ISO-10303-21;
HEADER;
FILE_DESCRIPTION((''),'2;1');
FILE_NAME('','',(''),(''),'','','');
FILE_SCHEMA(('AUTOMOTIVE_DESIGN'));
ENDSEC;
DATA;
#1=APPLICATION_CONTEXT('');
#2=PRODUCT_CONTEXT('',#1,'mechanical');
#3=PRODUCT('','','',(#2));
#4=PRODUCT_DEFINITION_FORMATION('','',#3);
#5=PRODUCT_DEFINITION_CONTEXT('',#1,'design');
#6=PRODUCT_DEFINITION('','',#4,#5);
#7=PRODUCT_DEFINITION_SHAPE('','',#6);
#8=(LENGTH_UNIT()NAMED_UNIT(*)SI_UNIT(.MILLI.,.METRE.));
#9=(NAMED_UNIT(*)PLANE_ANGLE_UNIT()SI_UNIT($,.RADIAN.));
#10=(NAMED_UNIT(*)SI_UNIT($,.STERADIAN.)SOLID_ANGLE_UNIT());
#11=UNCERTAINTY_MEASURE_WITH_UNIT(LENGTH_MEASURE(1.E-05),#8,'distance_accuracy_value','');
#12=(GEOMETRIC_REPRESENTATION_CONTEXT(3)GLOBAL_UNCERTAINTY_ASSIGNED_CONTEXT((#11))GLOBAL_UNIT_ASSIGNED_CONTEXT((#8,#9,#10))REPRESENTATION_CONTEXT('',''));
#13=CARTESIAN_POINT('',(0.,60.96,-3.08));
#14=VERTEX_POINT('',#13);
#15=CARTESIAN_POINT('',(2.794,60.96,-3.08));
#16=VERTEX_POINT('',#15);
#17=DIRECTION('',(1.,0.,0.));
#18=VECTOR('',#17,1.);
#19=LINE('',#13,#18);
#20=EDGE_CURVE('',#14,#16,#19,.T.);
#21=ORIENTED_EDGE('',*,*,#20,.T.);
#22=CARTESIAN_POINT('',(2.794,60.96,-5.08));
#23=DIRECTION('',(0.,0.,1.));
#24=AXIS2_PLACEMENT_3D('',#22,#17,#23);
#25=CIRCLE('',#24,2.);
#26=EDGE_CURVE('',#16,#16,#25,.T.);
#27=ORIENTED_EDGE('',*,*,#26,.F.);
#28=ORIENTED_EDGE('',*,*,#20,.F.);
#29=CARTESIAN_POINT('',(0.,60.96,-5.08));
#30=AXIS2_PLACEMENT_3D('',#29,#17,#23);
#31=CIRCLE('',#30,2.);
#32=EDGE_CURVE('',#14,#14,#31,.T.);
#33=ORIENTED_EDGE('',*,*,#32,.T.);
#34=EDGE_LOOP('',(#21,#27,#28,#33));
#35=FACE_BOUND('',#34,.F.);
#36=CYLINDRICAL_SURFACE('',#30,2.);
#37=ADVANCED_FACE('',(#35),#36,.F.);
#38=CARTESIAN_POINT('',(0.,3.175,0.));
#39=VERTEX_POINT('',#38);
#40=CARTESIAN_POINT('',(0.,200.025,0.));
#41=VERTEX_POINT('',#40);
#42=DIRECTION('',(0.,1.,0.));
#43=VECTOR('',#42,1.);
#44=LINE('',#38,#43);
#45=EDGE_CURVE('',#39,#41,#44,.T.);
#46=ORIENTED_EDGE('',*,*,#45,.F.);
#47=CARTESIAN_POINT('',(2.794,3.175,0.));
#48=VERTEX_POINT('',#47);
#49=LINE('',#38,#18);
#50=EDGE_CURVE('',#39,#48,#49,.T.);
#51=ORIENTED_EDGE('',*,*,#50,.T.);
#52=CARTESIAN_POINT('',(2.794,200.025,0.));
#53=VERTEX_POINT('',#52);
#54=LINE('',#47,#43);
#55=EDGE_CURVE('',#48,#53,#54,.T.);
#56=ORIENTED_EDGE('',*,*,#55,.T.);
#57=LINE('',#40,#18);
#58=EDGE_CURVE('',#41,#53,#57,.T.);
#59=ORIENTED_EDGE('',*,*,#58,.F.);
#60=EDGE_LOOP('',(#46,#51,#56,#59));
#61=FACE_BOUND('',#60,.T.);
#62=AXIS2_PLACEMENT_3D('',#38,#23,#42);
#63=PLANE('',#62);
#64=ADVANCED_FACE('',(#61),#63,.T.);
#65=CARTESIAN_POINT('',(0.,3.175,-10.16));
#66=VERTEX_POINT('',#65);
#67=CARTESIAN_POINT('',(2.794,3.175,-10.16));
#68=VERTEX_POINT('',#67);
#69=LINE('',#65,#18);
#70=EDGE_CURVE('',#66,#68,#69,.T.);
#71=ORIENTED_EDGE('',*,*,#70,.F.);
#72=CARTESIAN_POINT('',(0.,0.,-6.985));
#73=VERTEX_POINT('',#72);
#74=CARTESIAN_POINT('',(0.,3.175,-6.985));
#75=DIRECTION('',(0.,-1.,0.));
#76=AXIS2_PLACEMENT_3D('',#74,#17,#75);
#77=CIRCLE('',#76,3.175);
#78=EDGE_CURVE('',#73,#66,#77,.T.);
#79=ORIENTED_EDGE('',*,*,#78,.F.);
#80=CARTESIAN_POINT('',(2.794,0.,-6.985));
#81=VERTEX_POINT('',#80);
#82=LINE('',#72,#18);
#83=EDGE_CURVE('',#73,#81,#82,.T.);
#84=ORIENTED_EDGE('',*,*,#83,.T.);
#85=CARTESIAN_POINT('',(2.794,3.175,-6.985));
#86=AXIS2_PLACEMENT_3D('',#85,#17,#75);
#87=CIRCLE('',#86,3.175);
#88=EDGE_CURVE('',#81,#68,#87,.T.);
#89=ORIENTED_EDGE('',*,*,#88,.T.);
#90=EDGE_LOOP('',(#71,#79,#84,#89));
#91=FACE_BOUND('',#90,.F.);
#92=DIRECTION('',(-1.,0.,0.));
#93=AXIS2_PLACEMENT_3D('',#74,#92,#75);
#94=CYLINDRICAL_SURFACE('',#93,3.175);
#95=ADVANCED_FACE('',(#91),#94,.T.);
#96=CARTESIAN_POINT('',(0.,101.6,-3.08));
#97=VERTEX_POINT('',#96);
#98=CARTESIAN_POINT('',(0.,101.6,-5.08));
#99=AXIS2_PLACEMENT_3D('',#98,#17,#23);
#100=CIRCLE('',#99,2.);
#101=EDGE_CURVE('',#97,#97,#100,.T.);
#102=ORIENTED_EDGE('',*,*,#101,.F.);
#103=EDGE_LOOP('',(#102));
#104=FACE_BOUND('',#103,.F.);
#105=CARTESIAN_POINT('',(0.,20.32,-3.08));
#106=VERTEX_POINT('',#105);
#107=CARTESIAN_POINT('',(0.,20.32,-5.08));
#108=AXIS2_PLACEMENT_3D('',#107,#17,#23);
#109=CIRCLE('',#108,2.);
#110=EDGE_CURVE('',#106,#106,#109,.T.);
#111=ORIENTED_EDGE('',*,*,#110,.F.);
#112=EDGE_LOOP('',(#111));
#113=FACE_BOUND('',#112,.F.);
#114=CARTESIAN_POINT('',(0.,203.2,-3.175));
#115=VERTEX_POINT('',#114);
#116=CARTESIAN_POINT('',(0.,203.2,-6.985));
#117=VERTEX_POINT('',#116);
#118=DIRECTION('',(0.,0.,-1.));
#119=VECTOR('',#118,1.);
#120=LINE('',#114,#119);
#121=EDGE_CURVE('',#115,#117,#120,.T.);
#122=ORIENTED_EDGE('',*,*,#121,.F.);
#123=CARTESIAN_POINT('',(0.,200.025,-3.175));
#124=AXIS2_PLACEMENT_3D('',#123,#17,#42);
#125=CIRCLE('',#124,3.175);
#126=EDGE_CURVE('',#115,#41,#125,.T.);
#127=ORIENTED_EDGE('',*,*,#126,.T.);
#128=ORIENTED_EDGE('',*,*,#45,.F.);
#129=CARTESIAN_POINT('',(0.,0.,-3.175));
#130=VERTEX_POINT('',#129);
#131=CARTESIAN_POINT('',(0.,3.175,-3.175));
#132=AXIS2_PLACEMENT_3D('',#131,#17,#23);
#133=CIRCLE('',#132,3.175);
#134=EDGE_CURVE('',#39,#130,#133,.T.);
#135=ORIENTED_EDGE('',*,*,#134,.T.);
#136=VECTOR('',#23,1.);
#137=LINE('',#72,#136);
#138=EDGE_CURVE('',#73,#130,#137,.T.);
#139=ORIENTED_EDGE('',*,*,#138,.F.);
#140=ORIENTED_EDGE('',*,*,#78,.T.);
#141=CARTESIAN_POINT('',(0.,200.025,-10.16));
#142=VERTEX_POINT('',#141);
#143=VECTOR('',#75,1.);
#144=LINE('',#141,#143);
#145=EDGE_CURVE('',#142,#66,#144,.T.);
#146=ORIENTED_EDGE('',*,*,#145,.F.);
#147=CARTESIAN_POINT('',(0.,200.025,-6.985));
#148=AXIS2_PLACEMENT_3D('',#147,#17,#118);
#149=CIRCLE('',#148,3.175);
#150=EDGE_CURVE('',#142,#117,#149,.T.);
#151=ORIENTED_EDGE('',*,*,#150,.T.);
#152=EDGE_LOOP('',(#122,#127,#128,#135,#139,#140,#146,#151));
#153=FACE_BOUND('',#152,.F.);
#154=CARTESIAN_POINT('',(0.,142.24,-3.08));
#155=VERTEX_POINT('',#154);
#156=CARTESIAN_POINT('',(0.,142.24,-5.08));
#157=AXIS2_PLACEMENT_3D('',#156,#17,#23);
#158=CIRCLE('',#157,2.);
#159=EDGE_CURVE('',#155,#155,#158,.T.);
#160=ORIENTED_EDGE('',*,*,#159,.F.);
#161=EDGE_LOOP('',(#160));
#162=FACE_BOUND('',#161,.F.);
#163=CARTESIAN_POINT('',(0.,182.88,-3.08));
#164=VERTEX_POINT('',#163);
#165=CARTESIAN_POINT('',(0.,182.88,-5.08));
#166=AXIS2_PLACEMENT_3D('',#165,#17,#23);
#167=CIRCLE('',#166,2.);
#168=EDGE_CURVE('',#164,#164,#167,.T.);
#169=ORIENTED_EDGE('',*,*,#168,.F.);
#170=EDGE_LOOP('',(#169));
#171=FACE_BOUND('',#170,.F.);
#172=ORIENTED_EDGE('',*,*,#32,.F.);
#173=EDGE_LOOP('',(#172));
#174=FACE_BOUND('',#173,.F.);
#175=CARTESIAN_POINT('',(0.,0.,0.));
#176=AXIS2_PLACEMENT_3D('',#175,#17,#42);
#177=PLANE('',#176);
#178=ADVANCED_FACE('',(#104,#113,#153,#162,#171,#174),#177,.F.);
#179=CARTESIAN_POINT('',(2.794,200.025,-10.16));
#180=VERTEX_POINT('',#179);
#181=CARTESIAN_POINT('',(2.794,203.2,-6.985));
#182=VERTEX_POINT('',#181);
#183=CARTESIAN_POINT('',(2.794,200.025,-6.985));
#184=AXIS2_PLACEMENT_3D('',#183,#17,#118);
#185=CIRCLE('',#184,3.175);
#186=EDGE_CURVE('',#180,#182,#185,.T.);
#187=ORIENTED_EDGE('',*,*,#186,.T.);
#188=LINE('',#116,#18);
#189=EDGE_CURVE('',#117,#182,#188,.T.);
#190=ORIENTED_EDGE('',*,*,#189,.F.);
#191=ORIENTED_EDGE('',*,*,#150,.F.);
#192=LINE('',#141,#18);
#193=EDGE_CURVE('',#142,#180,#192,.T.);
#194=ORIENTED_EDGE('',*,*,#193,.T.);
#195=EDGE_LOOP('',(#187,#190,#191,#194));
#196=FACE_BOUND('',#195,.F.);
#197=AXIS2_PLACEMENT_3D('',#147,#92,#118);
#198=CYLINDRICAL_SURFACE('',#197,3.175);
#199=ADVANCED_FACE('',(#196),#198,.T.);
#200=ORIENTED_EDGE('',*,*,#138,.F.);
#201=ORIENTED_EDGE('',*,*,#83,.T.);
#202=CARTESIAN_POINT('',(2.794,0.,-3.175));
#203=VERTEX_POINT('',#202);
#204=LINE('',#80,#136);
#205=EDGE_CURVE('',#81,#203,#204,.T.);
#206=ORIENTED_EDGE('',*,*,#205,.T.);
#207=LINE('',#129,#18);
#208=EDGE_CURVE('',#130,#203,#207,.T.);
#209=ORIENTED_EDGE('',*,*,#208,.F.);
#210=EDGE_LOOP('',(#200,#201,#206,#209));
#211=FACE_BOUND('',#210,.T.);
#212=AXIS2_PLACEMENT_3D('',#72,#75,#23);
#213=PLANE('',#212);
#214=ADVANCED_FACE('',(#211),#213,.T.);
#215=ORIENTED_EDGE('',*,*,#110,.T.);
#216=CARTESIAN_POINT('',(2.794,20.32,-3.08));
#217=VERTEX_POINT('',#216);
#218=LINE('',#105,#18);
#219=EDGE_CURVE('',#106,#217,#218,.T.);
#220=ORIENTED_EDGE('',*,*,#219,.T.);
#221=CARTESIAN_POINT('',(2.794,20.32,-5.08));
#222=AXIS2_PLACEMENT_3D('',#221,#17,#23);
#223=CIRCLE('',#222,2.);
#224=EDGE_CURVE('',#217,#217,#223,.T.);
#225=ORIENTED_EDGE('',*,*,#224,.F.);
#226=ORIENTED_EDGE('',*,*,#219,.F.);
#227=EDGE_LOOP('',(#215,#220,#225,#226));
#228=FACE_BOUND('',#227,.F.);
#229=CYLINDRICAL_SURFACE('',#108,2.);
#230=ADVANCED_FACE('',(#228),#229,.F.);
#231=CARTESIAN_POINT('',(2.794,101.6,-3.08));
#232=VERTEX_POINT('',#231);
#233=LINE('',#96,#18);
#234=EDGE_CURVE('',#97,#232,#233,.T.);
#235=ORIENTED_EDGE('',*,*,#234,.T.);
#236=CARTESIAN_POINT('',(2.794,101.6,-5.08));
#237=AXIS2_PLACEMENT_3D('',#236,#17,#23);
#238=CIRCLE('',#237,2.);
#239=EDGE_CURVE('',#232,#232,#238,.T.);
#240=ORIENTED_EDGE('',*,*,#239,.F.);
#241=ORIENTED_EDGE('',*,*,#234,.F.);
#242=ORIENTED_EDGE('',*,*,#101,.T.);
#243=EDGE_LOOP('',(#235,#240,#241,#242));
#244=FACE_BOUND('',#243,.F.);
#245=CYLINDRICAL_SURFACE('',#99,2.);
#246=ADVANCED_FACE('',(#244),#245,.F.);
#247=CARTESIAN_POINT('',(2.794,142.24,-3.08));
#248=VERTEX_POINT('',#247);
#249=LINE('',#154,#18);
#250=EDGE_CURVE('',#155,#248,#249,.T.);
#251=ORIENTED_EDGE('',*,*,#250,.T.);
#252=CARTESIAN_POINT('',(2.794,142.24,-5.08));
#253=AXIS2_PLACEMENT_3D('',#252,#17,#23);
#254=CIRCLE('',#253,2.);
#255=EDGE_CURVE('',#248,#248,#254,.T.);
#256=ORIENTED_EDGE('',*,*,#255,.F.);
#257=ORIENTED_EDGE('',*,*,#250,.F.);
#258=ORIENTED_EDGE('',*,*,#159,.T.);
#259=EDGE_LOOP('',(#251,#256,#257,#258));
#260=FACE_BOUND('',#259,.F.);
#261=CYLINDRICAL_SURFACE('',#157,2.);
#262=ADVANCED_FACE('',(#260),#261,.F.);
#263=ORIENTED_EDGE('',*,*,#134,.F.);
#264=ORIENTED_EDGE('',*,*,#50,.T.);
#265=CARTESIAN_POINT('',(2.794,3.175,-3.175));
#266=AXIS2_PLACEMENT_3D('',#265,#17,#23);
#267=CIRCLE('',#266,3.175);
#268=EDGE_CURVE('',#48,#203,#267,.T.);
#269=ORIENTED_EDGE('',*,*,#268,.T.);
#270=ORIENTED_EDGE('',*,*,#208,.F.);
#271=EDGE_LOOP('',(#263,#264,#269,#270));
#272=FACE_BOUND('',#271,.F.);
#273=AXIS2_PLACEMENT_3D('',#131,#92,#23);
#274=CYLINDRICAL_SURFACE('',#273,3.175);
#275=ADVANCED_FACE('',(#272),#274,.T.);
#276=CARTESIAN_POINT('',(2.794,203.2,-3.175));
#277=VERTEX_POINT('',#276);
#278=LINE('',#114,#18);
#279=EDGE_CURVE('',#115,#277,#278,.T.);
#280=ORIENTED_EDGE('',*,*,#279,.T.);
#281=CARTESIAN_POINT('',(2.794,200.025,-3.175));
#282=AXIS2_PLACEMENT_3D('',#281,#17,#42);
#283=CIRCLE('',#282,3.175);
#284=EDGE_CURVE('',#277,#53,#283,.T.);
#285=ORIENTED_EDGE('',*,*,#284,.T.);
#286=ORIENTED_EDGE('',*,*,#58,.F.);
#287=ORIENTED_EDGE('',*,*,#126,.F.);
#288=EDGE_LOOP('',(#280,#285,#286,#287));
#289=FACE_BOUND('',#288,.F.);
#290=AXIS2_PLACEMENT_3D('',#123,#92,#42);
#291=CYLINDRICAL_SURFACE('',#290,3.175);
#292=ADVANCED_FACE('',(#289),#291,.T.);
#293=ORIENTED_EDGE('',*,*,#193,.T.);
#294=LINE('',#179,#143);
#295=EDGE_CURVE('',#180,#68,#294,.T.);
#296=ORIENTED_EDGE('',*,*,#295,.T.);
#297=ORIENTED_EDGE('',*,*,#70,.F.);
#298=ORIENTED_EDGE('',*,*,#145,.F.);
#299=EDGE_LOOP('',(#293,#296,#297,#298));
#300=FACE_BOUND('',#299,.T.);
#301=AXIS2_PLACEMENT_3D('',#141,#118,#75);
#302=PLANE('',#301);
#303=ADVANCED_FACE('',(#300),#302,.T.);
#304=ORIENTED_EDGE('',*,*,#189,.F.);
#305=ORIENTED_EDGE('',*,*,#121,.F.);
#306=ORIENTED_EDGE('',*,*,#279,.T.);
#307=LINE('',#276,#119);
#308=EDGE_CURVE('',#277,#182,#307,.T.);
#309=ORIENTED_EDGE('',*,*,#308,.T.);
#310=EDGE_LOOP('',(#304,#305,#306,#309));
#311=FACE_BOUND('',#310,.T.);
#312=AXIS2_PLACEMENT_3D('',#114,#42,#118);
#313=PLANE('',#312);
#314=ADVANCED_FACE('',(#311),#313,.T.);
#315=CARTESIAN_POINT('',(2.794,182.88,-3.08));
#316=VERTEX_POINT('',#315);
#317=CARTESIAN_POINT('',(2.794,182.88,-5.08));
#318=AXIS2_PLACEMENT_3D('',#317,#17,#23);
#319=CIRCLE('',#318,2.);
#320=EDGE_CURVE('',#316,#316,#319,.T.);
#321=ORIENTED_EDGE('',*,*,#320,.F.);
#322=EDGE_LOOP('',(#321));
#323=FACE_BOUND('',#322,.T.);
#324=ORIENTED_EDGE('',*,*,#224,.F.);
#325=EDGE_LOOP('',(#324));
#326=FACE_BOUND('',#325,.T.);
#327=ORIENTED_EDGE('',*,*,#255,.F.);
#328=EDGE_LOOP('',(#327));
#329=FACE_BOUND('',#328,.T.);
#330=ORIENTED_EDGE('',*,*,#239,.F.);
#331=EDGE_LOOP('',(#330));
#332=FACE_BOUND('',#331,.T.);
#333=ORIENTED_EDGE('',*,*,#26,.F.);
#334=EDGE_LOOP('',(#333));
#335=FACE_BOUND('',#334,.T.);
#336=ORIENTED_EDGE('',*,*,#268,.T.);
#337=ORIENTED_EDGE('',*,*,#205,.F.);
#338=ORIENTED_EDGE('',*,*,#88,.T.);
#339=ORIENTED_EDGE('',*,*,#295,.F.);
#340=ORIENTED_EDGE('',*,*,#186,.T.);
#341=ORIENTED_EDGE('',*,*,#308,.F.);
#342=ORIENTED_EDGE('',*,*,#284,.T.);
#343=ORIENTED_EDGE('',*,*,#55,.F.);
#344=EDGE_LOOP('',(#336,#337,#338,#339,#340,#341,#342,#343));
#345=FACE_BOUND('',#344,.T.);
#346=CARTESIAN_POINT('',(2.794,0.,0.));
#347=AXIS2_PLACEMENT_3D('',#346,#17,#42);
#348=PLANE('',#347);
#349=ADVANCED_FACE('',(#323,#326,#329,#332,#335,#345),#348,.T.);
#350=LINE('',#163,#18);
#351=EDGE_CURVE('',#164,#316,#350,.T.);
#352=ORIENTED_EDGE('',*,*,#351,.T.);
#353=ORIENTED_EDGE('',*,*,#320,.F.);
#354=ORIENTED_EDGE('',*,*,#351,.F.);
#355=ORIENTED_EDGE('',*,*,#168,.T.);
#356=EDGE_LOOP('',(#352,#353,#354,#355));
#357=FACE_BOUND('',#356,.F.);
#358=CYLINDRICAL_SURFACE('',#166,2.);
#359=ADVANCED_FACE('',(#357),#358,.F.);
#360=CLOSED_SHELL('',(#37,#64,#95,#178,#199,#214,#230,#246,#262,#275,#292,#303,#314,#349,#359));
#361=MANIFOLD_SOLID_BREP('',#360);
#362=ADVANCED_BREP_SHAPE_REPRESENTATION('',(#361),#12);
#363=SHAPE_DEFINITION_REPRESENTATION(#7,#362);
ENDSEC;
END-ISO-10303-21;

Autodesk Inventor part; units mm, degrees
ref_plane "YZ Plane" through (0, 0, 0) normal (1, 0, 0) x (0, 1, 0)
ref_plane "XZ Plane" through (0, 0, 0) normal (0, 1, 0) x (-1, 0, 0)
ref_plane "XY Plane" through (0, 0, 0) normal (0, 0, 1) x (1, 0, 0)
sketch "Sketch1" plane through (0, 0, 0) normal (1, 0, 0) x (0, 1, 0)
  line L0 (3.175, 0) -> (200.025, 0)
  line L1 (203.2, -3.175) -> (203.2, -6.985)
  line L2 (200.025, -10.16) -> (3.175, -10.16)
  line L3 (0, -6.985) -> (0, -3.175)
  arc A0 (203.2, -3.175) -> (200.025, 0) centre (200.025, -3.175) ccw
  arc A1 (200.025, -10.16) -> (203.2, -6.985) centre (200.025, -6.985) ccw
  arc A2 (3.175, 0) -> (0, -3.175) centre (3.175, -3.175) ccw
  arc A3 (0, -6.985) -> (3.175, -10.16) centre (3.175, -6.985) ccw
  line L4 (0, -5.08) -> (203.2, -5.08) construction
  point P0 (0, 0)
  point P1 (203.2, -10.16)
  point P2 (203.2, 0)
  point P3 (0, -10.16)
  point P4 (20.32, -5.08)
  point P5 (60.96, -5.08)
  point P6 (101.6, -5.08)
  point P7 (142.24, -5.08)
  point P8 (182.88, -5.08)
  point P9 (223.52, -5.08)
  dimension "d0" = 203.2
  dimension "d1" = 10.16
  dimension "d2" = 3.175
  dimension "d3" = 20.32
  dimension "d6" = 40.64
  dimension "d21" = 60.96
extrude "Extrusion1" add sketch "Sketch1" along normal blind 2.794
hole "Hole3" at (0, 20.32, -5.08) at (0, 60.96, -5.08) at (0, 101.6, -5.08) at (0, 142.24, -5.08) at (0, 182.88, -5.08) at (0, 223.52, -5.08) direction (1, 0, 0) diameter 4 end through all
properties part number "ArmSpacer3" material "Polycarbonate, Smoke"
